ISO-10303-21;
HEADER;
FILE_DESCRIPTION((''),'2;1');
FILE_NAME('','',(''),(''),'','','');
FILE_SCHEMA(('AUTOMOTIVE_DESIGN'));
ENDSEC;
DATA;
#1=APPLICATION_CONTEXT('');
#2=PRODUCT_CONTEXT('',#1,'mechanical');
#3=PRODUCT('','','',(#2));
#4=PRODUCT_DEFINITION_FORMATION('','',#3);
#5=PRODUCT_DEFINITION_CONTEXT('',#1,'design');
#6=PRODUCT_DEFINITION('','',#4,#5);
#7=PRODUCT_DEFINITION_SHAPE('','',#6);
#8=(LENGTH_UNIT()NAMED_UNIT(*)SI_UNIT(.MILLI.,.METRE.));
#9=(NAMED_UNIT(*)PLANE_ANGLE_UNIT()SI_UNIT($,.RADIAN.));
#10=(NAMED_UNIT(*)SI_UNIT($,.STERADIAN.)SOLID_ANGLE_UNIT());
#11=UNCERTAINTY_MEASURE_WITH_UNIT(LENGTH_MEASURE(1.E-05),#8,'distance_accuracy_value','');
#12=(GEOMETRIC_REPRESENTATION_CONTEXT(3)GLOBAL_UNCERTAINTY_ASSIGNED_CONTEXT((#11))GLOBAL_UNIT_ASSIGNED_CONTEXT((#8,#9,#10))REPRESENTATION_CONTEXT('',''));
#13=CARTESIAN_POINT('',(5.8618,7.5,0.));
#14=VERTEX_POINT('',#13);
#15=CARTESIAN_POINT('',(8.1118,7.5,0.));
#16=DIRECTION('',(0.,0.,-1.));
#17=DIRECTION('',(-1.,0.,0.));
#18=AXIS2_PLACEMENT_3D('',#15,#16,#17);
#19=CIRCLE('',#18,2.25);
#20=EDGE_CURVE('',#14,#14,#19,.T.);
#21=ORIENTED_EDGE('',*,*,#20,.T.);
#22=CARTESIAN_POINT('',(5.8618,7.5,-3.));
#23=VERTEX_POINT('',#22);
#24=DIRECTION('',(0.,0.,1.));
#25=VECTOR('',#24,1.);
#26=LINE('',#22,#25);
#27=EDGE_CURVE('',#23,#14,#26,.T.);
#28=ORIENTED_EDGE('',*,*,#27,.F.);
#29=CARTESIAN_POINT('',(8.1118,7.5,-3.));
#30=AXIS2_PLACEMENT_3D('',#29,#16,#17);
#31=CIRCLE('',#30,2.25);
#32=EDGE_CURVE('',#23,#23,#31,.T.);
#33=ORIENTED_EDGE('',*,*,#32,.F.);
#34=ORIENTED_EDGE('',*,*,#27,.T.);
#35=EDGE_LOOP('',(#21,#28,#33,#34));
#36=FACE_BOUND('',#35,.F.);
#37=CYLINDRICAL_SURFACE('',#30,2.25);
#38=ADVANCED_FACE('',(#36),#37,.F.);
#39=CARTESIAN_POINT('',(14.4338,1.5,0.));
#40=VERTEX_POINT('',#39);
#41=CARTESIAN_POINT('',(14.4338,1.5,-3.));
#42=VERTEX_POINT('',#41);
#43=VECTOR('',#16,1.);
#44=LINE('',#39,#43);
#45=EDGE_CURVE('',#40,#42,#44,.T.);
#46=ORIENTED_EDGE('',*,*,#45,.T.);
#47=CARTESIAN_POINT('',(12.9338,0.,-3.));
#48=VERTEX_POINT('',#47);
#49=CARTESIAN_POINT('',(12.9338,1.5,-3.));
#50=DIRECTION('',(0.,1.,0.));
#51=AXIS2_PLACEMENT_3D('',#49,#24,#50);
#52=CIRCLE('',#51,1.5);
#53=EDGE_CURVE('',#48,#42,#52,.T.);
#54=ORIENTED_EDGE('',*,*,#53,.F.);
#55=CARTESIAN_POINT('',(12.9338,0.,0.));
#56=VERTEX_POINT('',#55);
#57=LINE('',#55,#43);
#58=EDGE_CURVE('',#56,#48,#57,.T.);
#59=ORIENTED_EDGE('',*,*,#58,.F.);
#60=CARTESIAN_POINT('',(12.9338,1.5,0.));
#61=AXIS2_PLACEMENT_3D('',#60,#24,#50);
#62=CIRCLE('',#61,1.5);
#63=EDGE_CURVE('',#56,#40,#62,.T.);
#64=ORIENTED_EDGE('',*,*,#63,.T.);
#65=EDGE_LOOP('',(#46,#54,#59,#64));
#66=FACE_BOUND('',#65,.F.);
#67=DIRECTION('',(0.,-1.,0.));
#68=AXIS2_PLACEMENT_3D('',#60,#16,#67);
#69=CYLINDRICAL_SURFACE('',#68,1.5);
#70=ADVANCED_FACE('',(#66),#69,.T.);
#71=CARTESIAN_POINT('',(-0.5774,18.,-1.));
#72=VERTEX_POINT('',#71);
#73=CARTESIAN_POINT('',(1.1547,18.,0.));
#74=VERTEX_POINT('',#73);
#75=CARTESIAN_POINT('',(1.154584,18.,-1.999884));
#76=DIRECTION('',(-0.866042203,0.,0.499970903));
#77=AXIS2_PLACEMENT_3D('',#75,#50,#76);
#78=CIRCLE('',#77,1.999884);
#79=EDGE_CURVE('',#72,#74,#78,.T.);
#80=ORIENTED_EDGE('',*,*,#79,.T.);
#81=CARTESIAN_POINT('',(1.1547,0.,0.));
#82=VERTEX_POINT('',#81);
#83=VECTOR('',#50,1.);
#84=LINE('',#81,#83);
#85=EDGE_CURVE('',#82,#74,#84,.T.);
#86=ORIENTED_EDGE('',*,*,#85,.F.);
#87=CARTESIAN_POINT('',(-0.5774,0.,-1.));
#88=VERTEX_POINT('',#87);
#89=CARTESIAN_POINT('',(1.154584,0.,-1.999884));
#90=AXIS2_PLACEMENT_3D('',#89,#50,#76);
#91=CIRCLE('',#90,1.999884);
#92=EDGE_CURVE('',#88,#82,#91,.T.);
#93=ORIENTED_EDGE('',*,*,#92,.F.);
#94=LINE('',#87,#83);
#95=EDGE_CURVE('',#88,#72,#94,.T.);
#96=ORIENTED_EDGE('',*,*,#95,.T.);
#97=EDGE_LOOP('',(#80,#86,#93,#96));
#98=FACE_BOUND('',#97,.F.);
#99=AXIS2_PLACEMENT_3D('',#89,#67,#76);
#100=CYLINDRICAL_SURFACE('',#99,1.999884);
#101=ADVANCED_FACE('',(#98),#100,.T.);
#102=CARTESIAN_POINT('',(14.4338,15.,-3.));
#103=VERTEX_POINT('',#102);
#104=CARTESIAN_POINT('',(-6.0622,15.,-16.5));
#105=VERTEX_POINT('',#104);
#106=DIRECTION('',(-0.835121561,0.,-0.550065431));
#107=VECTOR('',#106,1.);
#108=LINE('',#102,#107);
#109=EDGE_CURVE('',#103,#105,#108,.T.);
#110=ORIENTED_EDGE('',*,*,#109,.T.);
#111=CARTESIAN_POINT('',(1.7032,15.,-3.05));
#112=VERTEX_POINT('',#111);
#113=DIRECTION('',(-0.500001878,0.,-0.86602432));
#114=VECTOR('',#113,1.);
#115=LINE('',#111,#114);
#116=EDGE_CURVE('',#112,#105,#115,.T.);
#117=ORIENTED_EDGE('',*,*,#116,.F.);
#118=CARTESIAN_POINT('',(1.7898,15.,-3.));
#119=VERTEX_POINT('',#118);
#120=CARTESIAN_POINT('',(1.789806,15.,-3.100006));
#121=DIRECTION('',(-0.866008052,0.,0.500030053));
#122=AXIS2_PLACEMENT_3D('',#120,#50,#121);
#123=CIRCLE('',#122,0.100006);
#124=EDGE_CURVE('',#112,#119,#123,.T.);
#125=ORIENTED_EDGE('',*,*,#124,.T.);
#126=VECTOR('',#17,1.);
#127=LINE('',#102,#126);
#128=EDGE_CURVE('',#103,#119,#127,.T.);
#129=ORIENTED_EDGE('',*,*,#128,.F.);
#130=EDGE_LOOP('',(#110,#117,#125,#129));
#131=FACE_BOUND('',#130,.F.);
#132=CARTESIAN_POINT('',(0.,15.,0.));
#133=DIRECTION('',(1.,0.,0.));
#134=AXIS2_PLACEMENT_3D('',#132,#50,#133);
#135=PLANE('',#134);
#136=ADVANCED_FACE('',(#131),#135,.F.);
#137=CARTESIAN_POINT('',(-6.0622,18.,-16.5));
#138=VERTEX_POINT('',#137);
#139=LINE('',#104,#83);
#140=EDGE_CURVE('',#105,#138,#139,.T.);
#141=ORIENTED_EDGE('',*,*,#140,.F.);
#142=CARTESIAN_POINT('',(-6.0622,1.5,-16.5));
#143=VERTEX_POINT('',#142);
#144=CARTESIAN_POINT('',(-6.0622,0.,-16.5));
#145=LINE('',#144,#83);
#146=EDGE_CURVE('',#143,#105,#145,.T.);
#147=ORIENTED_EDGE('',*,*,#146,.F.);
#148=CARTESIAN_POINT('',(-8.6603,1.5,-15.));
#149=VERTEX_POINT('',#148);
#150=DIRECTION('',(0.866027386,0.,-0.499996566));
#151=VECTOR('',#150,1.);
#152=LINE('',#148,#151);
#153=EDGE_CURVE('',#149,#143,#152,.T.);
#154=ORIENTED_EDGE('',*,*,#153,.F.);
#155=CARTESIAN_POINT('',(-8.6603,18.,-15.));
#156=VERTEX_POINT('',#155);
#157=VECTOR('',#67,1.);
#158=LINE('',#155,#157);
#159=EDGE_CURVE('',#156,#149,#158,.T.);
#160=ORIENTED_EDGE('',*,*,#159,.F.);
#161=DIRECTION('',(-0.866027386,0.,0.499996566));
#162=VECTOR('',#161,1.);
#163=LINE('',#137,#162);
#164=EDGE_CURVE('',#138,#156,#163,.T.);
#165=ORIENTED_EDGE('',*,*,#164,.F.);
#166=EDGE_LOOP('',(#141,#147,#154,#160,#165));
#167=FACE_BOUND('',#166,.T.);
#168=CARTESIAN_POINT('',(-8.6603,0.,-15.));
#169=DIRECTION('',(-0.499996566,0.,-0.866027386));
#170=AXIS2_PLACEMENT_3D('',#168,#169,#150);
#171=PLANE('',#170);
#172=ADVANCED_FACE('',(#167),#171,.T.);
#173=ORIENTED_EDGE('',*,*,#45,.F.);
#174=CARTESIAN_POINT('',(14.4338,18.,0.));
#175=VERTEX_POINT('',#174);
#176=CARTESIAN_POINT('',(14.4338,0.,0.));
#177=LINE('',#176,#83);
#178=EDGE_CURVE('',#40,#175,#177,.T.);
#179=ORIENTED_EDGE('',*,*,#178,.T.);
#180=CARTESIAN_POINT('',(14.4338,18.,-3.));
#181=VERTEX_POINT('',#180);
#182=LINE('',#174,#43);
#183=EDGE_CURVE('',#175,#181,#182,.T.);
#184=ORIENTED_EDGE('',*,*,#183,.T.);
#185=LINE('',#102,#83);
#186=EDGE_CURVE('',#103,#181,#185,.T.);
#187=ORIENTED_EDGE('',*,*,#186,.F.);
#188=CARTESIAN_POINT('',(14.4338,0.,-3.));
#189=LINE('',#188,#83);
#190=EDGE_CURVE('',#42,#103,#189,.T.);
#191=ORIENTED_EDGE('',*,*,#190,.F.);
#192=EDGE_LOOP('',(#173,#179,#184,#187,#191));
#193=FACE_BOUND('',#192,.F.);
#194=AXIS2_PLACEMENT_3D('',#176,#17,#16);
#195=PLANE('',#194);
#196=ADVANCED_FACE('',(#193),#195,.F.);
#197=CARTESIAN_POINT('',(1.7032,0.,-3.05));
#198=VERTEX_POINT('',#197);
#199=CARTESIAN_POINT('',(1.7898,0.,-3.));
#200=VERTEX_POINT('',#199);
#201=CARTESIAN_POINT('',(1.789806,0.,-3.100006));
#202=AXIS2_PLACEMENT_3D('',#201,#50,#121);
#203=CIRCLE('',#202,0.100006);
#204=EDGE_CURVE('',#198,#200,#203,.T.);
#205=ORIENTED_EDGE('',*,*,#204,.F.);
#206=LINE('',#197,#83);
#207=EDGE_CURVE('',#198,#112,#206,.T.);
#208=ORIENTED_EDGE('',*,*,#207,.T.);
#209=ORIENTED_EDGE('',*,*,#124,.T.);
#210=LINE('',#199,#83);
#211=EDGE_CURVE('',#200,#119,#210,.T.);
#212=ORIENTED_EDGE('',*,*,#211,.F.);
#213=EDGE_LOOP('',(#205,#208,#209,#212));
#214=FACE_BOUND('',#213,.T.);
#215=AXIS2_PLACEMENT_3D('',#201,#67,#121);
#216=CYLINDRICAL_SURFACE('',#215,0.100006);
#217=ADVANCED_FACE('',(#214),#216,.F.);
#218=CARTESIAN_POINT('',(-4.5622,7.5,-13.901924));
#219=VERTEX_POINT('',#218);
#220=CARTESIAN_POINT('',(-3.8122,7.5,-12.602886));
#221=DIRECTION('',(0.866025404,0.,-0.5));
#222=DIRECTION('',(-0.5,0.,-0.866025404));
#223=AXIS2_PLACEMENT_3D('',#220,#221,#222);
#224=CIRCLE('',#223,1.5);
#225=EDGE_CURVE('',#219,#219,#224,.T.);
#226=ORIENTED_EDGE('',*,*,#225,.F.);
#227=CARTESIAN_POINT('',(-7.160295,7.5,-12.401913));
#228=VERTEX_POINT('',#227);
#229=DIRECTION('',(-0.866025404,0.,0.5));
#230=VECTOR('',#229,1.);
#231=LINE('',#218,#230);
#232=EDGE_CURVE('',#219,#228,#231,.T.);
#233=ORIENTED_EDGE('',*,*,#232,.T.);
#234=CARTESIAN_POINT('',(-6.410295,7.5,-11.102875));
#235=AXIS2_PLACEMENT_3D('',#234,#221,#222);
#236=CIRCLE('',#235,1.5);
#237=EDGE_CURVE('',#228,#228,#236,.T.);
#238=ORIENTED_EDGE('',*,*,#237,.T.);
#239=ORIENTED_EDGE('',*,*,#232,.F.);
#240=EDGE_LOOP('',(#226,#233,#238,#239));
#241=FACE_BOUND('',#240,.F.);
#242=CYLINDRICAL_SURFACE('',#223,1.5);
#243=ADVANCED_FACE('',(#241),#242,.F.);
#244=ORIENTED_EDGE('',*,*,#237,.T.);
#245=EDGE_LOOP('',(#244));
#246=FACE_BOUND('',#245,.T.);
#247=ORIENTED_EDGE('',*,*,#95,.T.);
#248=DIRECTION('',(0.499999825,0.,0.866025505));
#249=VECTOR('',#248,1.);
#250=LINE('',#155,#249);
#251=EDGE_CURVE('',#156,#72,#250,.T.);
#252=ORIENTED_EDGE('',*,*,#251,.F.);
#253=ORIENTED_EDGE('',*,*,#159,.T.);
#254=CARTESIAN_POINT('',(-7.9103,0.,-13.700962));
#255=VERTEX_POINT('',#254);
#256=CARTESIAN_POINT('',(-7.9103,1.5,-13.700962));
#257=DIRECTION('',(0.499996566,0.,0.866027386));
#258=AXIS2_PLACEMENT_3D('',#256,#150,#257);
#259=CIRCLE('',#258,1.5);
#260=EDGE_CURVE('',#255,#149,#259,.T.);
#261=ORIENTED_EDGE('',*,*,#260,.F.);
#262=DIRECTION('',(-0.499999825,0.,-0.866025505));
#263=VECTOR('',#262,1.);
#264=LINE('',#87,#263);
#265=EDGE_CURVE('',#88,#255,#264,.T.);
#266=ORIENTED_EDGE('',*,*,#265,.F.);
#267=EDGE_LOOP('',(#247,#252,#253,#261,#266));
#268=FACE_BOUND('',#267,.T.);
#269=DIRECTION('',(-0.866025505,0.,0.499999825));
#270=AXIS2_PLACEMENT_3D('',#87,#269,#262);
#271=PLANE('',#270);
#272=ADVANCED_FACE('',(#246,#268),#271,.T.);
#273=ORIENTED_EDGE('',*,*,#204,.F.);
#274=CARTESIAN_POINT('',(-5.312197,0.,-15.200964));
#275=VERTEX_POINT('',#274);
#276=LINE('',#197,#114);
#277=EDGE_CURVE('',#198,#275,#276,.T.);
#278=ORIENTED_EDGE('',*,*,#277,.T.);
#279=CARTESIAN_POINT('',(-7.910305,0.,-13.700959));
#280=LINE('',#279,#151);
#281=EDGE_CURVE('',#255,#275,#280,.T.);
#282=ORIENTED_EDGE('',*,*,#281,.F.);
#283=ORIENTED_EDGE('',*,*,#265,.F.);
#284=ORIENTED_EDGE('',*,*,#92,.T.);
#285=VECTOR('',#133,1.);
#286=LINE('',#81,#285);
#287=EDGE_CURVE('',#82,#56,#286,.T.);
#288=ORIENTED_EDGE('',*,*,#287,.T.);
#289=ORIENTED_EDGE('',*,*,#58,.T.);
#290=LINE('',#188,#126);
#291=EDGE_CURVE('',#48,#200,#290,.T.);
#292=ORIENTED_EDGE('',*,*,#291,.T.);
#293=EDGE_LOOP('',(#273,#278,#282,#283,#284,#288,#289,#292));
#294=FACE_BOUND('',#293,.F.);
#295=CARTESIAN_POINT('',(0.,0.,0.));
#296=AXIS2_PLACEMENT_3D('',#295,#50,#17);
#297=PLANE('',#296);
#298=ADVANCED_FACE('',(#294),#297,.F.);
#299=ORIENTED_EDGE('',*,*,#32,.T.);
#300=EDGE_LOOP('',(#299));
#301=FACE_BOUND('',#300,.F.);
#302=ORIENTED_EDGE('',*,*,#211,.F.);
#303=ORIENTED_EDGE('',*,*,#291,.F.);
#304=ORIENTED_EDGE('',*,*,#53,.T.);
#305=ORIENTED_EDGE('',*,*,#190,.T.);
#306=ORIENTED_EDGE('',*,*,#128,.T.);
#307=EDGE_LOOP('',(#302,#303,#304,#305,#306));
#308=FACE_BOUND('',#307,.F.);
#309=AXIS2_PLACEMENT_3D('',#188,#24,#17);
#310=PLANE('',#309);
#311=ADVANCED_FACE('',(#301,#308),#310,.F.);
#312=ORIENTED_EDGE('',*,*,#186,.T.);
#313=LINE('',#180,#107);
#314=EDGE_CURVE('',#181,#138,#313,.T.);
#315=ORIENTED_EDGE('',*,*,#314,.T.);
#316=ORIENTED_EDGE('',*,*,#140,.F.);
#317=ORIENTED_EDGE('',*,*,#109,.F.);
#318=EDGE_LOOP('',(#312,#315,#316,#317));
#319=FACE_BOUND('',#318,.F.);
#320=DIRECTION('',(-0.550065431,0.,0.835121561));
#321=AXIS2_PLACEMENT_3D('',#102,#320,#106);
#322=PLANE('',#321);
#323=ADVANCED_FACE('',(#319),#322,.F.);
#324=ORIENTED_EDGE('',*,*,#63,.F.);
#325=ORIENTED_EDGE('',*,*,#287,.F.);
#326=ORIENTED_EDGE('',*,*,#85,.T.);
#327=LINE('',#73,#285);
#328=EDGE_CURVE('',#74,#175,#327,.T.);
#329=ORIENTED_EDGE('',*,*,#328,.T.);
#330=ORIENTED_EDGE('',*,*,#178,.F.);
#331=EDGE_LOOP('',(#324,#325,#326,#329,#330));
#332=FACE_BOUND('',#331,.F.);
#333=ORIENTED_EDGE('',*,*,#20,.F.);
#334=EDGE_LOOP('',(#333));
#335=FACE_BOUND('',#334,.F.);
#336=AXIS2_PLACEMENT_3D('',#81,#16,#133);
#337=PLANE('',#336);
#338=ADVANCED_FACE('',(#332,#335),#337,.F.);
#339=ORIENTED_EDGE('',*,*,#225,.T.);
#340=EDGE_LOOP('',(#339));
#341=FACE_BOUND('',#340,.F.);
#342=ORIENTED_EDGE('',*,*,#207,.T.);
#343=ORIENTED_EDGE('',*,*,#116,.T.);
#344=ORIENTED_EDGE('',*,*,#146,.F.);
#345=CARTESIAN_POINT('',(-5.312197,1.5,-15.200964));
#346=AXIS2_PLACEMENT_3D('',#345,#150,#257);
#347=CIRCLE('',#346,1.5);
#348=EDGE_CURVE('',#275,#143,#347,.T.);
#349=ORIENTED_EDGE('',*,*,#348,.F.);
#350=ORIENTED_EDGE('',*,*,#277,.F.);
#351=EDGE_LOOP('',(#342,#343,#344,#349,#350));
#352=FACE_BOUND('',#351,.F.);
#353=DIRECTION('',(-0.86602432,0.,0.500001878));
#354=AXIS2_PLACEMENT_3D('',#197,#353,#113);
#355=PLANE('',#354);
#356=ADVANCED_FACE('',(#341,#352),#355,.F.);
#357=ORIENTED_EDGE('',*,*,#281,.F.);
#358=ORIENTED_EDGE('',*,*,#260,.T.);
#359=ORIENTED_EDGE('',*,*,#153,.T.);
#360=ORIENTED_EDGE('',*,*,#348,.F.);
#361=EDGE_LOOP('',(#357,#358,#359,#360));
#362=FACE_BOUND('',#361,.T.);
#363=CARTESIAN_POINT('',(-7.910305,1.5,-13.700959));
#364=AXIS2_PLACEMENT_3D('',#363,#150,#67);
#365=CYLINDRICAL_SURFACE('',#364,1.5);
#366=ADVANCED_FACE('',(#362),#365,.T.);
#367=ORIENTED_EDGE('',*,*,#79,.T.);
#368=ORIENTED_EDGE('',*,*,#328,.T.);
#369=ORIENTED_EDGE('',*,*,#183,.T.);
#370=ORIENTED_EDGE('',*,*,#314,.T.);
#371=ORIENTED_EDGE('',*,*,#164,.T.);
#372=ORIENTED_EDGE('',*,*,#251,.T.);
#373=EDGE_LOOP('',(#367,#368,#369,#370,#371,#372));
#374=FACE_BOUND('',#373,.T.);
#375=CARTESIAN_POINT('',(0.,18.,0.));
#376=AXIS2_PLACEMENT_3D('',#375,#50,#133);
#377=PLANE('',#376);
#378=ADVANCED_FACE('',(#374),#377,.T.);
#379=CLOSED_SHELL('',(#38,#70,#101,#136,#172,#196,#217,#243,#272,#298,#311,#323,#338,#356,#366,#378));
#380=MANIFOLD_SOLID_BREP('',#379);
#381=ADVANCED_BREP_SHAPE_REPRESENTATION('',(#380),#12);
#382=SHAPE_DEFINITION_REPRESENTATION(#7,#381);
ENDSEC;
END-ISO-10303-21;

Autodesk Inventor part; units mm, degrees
ref_plane "YZ Plane" through (0, 0, 0) normal (1, 0, 0) x (0, 1, 0)
ref_plane "XZ Plane" through (0, 0, 0) normal (0, 1, 0) x (-1, 0, 0)
ref_plane "XY Plane" through (0, 0, 0) normal (0, 0, 1) x (1, 0, 0)
sketch "Sketch1" plane through (0, 0, 0) normal (0, 1, 0) x (-1, 0, 0)
  line L0 (0.5774, -1) -> (8.6603, -15)
  line L1 (8.6603, -15) -> (6.0622, -16.5)
  line L2 (-1.1547, 0) -> (-14.4338, 0)
  line L3 (-14.4338, 0) -> (-14.4338, -3)
  line L4 (-14.4338, -3) -> (-1.7898, -3)
  line L5 (-1.7032, -3.05) -> (6.0622, -16.5)
  line L6 (0, 0) -> (-8.1844, -14.1757) construction
  arc A0 (-1.7032, -3.05) -> (-1.7898, -3) centre (-1.7898, -3.1) ccw
  arc A1 (0.5774, -1) -> (-1.1547, 0) centre (-1.1547, -2) ccw
  line L7 (-19.0526, 0) -> (13.2791, 0) projected
  point P0 (-1.7321, -3)
  dimension "d4" = 3
  dimension "d8" = 0.1
  dimension "d9" = 2
  dimension "d16" = 120
  dimension "d19" = 12.5
  dimension "d20" = 15
extrude "Extrusion1" add sketch "Sketch1" along normal blind 15
sketch "Sketch2" plane through (0, 15, 0) normal (0, 1, 0) x (1, 0, 0)
  line L0 (-8.6603, 15) -> (-0.5774, 1) projected
  line L1 (1.1547, 0) -> (14.4338, 0) projected
  line L2 (14.4338, 0) -> (14.4338, 3) projected
  line L3 (14.4338, 3) -> (1.7898, 3) projected
  line L4 (1.7032, 3.05) -> (-6.0622, 16.5) projected
  line L5 (-6.0622, 16.5) -> (-8.6603, 15) projected
  line L6 (14.4338, 3) -> (-6.0622, 16.5)
  arc A0 (-0.5774, 1) -> (1.1547, 0) centre (1.1547, 2) ccw projected
  arc A1 (1.7032, 3.05) -> (1.7898, 3) centre (1.7898, 3.1) ccw projected
  point P0 (0, 0)
extrude "Extrusion2" add sketch "Sketch2" along normal blind 3
sketch "Sketch3" plane through (14.4338, 0, -3) normal (0, 0, -1) x (-1, 0, 0)
  line L0 (0, 0) -> (12.644, 0) projected
  line L1 (0, 0) -> (0, 15) projected
  circle A0 centre (6.322, 7.5) radius 2.25
  line L2 (12.644, 0) -> (12.644, 15) projected
  line L3 (0, 15) -> (12.644, 15) projected
  point P0 (14.4338, 0)
  point P1 (6.322, 0)
  point P2 (0, 7.5)
  dimension "d5" = 4.5
extrude "Extrusion3" cut sketch "Sketch3" against normal through all contours A0
sketch "Sketch5" plane through (-6.0622, 0, -16.5) normal (0.866, 0, -0.5) x (-0.5, 0, -0.866)
  circle A0 centre (-4.5, 7.5) radius 1.5
  line L0 (-15.5307, 0) -> (0, 0) projected
  line L1 (0, 0) -> (0, 15) projected
  line L2 (-15.5307, 15) -> (0, 15) projected
  line L3 (-15.5307, 0) -> (-15.5307, 15) projected
  point P0 (-17.3205, 0)
  point P1 (0, 7.5)
  dimension "d12" = 3
  dimension "d18" = 4.5
extrude "Extrusion4" cut sketch "Sketch5" against normal through all contours A0
fillet "Fillet1" radius 1.5 2 edges at (-7.3612, 0, -15.75) (14.4338, 0, -1.5)
properties part number "EE_adapter"
